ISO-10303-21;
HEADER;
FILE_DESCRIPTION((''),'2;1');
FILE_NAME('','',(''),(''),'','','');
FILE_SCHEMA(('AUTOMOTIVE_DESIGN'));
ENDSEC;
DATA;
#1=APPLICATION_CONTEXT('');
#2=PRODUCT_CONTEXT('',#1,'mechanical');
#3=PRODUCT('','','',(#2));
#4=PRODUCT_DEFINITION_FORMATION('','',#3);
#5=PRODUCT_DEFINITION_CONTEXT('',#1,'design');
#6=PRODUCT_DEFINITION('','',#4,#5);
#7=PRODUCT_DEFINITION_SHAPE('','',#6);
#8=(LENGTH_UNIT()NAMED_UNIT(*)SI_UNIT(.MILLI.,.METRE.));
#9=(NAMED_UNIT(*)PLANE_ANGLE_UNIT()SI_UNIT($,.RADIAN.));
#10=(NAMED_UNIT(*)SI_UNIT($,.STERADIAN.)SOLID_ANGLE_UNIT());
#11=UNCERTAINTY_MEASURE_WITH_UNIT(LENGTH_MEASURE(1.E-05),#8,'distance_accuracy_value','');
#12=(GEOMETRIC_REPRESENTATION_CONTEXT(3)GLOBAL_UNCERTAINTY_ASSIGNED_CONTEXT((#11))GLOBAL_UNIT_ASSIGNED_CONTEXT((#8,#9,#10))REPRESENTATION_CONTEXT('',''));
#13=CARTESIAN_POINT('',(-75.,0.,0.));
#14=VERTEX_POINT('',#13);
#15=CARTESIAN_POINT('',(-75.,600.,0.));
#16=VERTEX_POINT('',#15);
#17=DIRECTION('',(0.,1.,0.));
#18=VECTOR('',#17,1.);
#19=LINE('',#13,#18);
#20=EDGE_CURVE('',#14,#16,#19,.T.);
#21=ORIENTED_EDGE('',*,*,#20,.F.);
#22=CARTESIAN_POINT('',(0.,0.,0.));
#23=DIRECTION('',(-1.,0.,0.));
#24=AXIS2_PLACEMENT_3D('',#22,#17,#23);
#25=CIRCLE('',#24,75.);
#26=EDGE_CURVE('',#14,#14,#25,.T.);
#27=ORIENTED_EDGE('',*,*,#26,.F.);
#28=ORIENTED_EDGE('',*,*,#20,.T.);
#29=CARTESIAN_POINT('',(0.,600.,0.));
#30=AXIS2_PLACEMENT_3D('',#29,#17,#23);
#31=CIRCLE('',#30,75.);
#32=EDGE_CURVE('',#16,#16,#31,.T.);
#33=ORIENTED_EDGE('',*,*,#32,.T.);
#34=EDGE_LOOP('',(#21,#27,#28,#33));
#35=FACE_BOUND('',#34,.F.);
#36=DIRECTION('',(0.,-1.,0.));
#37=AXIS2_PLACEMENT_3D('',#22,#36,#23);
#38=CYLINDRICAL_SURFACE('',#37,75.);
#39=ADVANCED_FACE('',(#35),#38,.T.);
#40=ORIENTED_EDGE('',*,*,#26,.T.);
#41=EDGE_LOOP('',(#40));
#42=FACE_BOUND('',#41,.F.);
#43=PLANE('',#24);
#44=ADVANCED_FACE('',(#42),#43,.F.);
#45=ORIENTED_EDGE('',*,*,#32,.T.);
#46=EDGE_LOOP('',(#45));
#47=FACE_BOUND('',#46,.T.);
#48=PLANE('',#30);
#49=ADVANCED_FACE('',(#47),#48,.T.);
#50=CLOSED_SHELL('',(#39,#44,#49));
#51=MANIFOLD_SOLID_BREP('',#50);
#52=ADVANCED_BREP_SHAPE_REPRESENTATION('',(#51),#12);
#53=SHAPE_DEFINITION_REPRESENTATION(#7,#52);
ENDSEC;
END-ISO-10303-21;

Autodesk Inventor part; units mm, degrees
ref_plane "YZ Plane" through (0, 0, 0) normal (1, 0, 0) x (0, 1, 0)
ref_plane "XZ Plane" through (0, 0, 0) normal (0, 1, 0) x (-1, 0, 0)
ref_plane "XY Plane" through (0, 0, 0) normal (0, 0, 1) x (1, 0, 0)
sketch "Sketch1" plane through (0, 0, 0) normal (0, 1, 0) x (-1, 0, 0)
  circle A0 centre (0, 0) radius 75
  dimension "d0" = 150
extrude "Extrusion1" add sketch "Sketch1" along normal blind 600
properties part number "malllet2"
